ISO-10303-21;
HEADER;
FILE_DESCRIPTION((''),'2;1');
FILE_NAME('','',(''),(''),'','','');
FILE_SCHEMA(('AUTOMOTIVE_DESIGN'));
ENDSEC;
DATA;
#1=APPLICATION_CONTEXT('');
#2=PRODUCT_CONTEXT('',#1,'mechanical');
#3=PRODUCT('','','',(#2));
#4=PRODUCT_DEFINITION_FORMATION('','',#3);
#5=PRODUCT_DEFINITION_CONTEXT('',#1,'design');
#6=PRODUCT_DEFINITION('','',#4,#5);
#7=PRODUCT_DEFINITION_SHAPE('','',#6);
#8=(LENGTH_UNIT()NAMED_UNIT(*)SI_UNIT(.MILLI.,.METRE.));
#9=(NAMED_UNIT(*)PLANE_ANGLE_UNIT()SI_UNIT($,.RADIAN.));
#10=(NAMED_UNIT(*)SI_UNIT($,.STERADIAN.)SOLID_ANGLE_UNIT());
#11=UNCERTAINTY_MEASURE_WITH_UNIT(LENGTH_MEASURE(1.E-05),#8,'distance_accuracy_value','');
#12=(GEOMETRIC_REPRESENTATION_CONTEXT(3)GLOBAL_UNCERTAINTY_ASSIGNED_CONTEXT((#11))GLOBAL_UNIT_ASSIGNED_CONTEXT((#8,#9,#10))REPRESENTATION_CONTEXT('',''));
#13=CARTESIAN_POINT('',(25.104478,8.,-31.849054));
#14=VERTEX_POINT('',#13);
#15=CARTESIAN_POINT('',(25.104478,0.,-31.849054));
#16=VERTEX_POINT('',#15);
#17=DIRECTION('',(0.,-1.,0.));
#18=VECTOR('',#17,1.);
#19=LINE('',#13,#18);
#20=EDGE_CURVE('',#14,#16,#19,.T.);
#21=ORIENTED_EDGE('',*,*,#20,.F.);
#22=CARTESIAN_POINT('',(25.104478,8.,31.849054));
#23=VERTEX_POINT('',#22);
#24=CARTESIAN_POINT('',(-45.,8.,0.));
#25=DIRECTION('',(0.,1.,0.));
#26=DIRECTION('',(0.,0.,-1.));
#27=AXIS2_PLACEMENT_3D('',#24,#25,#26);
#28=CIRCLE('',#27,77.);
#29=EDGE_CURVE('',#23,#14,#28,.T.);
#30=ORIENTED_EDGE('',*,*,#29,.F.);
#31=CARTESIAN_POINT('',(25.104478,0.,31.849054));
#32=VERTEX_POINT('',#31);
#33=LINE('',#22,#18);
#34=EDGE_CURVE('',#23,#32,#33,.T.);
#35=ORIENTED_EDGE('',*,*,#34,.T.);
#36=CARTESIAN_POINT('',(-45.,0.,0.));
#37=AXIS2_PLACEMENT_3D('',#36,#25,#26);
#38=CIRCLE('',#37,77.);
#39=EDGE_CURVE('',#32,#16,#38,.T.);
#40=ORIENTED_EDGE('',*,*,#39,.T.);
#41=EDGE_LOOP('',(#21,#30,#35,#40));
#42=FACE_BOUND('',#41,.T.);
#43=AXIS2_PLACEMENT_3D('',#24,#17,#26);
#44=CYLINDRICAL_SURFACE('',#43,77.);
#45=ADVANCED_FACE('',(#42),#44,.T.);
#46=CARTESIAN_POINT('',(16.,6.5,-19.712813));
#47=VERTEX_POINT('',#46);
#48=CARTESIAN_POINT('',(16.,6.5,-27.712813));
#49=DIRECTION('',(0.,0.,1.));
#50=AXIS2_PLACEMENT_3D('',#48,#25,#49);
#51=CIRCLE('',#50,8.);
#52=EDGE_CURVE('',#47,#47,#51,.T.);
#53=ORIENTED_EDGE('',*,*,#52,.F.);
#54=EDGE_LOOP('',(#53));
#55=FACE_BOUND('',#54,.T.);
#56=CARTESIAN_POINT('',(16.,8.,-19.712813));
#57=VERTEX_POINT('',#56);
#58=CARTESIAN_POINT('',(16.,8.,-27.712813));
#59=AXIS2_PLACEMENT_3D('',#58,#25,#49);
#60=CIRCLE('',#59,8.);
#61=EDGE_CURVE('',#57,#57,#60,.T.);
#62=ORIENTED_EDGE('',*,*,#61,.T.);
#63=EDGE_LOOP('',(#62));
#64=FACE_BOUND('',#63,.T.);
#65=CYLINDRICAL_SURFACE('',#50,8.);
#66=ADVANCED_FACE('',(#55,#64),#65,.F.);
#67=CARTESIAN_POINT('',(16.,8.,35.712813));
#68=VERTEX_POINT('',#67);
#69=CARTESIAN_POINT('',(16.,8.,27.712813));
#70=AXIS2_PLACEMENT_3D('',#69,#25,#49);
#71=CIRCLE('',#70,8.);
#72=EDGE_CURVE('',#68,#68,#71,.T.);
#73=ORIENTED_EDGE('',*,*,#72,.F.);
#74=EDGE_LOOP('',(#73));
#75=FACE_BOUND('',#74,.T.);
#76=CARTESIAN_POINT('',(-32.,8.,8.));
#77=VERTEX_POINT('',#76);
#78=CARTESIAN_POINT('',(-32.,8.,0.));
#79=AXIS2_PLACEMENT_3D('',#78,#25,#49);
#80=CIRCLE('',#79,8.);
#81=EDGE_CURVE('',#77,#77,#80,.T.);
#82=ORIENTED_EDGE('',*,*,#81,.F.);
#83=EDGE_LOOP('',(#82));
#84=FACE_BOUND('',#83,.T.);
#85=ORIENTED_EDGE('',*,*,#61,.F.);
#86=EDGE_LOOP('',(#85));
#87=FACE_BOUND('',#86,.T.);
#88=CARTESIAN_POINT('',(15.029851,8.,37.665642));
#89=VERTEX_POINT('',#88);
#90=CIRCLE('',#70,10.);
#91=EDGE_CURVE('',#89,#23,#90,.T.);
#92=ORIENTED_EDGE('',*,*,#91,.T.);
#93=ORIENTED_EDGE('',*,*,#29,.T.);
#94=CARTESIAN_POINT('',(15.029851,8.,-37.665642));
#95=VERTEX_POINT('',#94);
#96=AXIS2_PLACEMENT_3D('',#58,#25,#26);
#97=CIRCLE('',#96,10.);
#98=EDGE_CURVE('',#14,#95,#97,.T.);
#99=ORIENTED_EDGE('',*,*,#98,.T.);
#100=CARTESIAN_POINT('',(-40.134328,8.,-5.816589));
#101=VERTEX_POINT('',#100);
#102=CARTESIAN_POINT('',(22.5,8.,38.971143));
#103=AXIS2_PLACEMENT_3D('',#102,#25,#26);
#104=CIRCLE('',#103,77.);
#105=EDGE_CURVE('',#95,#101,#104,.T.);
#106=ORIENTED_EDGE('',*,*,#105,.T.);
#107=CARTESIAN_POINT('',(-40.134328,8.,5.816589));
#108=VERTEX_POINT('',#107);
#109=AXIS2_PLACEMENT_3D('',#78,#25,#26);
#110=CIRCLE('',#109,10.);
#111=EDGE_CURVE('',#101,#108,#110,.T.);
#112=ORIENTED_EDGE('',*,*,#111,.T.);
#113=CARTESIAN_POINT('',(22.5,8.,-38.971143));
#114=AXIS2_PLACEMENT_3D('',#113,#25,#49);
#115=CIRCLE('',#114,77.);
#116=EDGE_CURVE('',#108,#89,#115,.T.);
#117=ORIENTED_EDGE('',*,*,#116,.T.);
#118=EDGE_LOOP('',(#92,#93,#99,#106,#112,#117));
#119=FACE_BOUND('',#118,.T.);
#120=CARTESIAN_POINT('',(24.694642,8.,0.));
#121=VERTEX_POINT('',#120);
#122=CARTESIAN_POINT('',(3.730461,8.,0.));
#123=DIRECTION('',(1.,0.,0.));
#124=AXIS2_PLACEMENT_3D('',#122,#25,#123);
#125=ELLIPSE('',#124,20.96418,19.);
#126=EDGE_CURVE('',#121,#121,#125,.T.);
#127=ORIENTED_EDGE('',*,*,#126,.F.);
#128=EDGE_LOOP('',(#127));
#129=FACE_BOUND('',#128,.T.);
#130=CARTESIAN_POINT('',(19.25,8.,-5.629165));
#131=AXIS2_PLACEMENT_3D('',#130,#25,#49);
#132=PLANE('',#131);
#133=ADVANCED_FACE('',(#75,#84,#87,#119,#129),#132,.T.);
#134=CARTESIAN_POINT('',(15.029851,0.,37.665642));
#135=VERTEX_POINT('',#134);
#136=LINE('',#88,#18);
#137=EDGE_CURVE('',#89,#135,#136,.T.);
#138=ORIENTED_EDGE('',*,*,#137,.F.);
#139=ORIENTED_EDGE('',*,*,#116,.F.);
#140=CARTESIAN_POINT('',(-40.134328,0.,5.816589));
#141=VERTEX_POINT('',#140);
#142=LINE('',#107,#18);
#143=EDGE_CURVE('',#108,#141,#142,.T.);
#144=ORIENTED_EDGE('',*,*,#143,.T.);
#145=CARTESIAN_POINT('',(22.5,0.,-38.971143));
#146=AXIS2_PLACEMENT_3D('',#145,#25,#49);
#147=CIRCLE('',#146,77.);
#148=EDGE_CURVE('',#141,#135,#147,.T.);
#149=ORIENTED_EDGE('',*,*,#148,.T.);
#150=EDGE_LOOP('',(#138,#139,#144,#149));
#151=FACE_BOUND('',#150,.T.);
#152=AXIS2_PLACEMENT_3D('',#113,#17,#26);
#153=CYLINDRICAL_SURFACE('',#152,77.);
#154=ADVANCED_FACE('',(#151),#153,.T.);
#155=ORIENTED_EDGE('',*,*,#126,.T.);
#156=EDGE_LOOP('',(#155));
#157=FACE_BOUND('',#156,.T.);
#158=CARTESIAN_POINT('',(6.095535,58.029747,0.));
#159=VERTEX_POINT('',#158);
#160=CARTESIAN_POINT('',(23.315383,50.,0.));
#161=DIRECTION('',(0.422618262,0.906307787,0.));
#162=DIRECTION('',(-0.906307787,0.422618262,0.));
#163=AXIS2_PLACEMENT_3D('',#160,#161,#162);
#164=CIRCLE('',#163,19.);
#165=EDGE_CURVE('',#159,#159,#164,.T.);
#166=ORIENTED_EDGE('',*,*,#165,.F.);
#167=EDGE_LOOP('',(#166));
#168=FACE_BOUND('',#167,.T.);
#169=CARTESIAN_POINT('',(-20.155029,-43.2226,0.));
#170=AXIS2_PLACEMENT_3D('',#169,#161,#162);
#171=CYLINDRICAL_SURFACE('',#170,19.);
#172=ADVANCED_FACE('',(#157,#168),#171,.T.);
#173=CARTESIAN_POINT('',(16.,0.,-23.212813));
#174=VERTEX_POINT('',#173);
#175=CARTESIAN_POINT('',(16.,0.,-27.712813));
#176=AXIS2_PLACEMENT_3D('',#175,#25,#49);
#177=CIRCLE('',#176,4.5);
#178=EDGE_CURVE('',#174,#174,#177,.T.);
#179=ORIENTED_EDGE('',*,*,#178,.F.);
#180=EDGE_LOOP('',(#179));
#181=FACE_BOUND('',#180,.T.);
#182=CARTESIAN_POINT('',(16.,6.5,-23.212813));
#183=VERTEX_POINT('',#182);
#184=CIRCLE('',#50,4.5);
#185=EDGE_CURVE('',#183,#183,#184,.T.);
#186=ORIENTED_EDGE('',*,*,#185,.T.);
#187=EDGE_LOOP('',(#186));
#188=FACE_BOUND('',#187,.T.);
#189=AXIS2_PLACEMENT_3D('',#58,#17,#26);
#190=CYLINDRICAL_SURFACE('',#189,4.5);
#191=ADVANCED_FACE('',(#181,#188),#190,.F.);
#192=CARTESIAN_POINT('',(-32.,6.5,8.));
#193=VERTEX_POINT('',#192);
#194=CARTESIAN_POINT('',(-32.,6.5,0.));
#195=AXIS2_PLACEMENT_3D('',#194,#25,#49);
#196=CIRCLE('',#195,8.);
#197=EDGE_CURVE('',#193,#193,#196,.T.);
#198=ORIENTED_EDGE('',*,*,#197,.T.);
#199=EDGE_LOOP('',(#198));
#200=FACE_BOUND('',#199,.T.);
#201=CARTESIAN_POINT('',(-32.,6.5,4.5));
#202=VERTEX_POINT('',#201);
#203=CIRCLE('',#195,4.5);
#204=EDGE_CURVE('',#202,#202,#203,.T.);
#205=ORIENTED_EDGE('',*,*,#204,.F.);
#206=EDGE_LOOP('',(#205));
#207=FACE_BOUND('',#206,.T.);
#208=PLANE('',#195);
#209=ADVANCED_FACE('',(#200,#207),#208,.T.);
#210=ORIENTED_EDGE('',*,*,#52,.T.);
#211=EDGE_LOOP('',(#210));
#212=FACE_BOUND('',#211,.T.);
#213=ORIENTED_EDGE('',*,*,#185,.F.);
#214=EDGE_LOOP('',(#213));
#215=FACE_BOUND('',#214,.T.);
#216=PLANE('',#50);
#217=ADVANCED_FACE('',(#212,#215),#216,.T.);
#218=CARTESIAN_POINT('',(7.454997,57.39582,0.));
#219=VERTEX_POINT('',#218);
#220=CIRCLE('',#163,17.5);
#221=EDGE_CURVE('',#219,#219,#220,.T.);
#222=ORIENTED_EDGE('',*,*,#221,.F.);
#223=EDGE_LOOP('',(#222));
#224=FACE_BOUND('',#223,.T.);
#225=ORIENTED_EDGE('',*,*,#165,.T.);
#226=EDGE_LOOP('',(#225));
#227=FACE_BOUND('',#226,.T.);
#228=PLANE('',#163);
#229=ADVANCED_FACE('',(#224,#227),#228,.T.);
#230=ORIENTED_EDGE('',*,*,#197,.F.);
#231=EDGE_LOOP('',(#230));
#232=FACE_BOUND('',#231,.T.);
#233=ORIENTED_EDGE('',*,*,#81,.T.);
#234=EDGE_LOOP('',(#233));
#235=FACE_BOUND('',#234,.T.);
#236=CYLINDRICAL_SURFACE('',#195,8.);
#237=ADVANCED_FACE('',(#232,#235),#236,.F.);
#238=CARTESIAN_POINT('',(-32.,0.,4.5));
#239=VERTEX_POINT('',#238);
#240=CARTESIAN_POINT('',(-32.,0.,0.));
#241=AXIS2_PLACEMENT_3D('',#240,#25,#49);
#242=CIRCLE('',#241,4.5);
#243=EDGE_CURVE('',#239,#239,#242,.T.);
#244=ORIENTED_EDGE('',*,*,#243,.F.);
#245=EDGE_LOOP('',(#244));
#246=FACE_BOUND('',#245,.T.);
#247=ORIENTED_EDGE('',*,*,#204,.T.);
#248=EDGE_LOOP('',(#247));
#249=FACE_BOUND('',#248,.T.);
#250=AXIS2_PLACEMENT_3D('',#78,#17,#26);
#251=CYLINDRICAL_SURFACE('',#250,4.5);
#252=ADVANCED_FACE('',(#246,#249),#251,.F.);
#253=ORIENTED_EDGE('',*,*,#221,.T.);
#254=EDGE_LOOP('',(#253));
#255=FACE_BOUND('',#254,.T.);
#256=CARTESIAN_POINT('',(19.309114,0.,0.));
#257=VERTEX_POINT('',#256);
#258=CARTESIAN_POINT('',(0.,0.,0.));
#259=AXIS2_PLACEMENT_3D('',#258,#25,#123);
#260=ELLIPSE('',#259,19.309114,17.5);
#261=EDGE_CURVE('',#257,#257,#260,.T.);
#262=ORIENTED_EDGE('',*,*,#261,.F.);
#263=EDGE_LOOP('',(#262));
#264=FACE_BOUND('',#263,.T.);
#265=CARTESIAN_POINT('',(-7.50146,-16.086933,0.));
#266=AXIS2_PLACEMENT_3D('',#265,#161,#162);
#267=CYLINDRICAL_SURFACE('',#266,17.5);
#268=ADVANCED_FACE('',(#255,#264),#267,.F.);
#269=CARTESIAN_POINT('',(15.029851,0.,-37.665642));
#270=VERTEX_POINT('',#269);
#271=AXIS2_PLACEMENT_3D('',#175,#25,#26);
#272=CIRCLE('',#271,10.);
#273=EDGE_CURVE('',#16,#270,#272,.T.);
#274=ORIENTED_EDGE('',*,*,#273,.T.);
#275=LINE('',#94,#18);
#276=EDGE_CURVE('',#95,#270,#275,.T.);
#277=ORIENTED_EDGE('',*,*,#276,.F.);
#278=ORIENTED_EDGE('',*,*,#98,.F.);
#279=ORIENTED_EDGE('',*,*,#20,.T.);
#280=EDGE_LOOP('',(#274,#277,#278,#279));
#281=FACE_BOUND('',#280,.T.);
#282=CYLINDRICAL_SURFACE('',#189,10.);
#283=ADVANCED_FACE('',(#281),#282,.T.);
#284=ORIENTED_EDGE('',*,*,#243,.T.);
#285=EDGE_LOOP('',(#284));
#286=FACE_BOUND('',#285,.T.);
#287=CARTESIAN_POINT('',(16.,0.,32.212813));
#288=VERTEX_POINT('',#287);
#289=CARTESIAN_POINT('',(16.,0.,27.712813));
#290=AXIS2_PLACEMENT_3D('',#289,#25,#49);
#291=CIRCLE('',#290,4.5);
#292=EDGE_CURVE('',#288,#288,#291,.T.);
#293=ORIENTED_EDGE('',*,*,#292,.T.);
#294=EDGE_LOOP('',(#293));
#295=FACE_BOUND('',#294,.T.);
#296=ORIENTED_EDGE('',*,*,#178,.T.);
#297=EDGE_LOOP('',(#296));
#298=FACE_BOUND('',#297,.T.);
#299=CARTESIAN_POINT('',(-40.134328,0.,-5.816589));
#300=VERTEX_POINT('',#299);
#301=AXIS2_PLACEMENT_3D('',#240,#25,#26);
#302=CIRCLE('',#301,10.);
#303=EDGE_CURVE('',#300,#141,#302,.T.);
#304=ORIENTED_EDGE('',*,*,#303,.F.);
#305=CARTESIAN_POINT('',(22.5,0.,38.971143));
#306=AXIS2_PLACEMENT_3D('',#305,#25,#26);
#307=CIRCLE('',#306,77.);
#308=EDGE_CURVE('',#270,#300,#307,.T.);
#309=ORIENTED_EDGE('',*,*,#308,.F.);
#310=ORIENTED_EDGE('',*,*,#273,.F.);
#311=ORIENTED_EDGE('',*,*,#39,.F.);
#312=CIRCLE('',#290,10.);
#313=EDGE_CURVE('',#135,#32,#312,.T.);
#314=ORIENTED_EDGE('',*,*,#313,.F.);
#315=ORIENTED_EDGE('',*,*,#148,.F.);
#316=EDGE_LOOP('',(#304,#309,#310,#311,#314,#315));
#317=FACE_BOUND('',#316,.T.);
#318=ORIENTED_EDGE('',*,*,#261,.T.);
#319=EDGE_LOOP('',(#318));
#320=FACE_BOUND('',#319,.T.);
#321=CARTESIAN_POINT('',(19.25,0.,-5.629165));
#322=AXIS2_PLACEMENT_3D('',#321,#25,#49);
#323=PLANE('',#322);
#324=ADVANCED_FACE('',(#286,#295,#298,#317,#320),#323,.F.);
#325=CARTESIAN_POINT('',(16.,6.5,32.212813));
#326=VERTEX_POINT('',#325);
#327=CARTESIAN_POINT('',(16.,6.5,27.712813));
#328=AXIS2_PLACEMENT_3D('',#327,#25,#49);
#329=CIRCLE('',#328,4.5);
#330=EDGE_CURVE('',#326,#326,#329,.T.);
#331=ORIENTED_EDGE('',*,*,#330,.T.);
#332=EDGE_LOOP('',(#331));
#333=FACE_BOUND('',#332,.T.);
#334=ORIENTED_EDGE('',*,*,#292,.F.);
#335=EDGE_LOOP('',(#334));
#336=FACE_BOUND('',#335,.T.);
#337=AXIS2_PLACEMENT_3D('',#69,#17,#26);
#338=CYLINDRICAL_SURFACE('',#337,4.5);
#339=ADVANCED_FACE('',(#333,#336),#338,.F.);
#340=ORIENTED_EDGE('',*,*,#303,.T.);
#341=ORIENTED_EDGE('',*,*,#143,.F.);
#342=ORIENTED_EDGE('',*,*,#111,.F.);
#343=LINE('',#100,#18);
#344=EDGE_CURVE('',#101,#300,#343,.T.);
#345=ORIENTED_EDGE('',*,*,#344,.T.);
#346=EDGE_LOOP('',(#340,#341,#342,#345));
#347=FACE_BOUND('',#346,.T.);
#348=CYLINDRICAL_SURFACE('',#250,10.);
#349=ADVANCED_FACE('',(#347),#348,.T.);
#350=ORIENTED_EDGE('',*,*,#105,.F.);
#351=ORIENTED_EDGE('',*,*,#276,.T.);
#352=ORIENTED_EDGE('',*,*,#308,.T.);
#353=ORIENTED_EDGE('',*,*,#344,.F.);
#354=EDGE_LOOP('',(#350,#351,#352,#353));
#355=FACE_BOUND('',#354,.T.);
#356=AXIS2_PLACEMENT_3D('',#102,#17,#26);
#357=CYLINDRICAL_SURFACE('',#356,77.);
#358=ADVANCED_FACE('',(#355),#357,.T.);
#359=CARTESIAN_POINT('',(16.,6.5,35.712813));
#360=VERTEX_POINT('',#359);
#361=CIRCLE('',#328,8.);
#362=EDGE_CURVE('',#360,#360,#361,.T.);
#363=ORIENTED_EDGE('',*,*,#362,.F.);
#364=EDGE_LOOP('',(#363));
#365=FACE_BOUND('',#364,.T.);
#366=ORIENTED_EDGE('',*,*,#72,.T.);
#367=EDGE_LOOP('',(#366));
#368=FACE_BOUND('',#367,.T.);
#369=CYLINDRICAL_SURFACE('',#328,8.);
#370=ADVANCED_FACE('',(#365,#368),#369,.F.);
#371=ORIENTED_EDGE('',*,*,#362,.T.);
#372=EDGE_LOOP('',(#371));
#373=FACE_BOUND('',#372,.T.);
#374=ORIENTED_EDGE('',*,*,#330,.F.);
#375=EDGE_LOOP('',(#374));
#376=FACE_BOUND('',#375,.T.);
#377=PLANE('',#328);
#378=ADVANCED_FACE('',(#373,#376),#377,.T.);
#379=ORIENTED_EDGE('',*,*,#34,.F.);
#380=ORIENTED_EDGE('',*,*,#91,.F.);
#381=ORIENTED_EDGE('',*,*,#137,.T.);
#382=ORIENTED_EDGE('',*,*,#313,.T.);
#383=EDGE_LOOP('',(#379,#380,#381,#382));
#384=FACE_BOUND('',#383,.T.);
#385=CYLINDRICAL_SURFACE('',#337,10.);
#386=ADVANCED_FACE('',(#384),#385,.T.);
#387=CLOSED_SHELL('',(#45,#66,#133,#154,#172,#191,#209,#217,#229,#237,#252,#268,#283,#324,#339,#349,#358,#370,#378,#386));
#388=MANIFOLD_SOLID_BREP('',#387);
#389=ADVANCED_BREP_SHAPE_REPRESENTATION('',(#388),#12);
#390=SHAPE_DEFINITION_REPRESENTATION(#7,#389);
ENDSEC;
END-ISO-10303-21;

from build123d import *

# Parameters (mm, degrees)
SKETCH_1_R          = 4.5
EXTRUDE_1_DEPTH     = 8
SKETCH_5_R          = 8
CUT_EXTRUDE_2_DEPTH = 1.5
EXTRUDE_3_REACH     = 74.919
SKETCH_4_R          = 19
SKETCH_4_3_R        = 17.5
CUT_EXTRUDE_3_DEPTH = 73.918862941


with BuildPart() as part:
    # 草圖1 → 填料-伸長1 (new body)
    with BuildSketch(Plane(origin=(0, 0, 0), x_dir=(1, 0, 0), z_dir=(0, 1, 0))):
        with BuildLine():
            ThreePointArc((-40.134328358, -5.816588533), (-42, 0), (-40.134328358, 5.816588533))
            ThreePointArc((-40.134328358, 5.816588533), (-16, 27.712812921), (15.029850746, 37.665642188))
            ThreePointArc((15.029850746, 37.665642188), (21, 36.373066959), (25.104477612, 31.849053656))
            ThreePointArc((25.104477612, 31.849053656), (32, 0), (25.104477612, -31.849053656))
            ThreePointArc((25.104477612, -31.849053656), (21, -36.373066959), (15.029850746, -37.665642188))
            ThreePointArc((15.029850746, -37.665642188), (-16, -27.712812921), (-40.134328358, -5.816588533))
        make_face()
        with Locations((-32, 0)):
            Circle(SKETCH_1_R, mode=Mode.SUBTRACT)
        with Locations((16, 27.712812921)):
            Circle(SKETCH_1_R, mode=Mode.SUBTRACT)
        with Locations((16, -27.712812921)):
            Circle(SKETCH_1_R, mode=Mode.SUBTRACT)
    extrude(amount=EXTRUDE_1_DEPTH)

    # 草圖5 → 除料-伸長2 (cut)
    with BuildSketch(Plane(origin=(0, 8, 0), x_dir=(1, 0, 0), z_dir=(0, 1, 0))):
        with Locations((-32, 0)):
            Circle(SKETCH_5_R)
        with Locations((16, 27.712812921)):
            Circle(SKETCH_5_R)
        with Locations((16, -27.712812921)):
            Circle(SKETCH_5_R)
    extrude(amount=-CUT_EXTRUDE_2_DEPTH, mode=Mode.SUBTRACT)

    # 填料-伸長3: up to this face of the body (flat: up to its plane)
    extrude_3_end = Plane(part.part.faces().sort_by_distance((0, 8, 0))[0])
    # 草圖4 → 填料-伸長3 (add, up to the picked face)
    with BuildSketch(Plane(origin=(23.315382908, 50, 0), x_dir=(0.906307787, -0.422618262, 0), z_dir=(0.422618262, 0.906307787, 0)), mode=Mode.PRIVATE) as extrude_3_sk1:
        Circle(SKETCH_4_R)
    extrude_3_tool1 = split(extrude(extrude_3_sk1.sketch, amount=-EXTRUDE_3_REACH, mode=Mode.PRIVATE), bisect_by=extrude_3_end, keep=Keep.BOTH, mode=Mode.PRIVATE)
    add(extrude_3_tool1.solids().sort_by_distance((23.315383, 50, 0))[0])

    # 草圖4<3> → 除料-伸長3 (cut, through all)
    with BuildSketch(Plane(origin=(23.315382908, 50, 0), x_dir=(0.906307787, -0.422618262, 0), z_dir=(0.422618262, 0.906307787, 0))):
        Circle(SKETCH_4_3_R)
    extrude(amount=-CUT_EXTRUDE_3_DEPTH, mode=Mode.SUBTRACT)


solid = part.part
